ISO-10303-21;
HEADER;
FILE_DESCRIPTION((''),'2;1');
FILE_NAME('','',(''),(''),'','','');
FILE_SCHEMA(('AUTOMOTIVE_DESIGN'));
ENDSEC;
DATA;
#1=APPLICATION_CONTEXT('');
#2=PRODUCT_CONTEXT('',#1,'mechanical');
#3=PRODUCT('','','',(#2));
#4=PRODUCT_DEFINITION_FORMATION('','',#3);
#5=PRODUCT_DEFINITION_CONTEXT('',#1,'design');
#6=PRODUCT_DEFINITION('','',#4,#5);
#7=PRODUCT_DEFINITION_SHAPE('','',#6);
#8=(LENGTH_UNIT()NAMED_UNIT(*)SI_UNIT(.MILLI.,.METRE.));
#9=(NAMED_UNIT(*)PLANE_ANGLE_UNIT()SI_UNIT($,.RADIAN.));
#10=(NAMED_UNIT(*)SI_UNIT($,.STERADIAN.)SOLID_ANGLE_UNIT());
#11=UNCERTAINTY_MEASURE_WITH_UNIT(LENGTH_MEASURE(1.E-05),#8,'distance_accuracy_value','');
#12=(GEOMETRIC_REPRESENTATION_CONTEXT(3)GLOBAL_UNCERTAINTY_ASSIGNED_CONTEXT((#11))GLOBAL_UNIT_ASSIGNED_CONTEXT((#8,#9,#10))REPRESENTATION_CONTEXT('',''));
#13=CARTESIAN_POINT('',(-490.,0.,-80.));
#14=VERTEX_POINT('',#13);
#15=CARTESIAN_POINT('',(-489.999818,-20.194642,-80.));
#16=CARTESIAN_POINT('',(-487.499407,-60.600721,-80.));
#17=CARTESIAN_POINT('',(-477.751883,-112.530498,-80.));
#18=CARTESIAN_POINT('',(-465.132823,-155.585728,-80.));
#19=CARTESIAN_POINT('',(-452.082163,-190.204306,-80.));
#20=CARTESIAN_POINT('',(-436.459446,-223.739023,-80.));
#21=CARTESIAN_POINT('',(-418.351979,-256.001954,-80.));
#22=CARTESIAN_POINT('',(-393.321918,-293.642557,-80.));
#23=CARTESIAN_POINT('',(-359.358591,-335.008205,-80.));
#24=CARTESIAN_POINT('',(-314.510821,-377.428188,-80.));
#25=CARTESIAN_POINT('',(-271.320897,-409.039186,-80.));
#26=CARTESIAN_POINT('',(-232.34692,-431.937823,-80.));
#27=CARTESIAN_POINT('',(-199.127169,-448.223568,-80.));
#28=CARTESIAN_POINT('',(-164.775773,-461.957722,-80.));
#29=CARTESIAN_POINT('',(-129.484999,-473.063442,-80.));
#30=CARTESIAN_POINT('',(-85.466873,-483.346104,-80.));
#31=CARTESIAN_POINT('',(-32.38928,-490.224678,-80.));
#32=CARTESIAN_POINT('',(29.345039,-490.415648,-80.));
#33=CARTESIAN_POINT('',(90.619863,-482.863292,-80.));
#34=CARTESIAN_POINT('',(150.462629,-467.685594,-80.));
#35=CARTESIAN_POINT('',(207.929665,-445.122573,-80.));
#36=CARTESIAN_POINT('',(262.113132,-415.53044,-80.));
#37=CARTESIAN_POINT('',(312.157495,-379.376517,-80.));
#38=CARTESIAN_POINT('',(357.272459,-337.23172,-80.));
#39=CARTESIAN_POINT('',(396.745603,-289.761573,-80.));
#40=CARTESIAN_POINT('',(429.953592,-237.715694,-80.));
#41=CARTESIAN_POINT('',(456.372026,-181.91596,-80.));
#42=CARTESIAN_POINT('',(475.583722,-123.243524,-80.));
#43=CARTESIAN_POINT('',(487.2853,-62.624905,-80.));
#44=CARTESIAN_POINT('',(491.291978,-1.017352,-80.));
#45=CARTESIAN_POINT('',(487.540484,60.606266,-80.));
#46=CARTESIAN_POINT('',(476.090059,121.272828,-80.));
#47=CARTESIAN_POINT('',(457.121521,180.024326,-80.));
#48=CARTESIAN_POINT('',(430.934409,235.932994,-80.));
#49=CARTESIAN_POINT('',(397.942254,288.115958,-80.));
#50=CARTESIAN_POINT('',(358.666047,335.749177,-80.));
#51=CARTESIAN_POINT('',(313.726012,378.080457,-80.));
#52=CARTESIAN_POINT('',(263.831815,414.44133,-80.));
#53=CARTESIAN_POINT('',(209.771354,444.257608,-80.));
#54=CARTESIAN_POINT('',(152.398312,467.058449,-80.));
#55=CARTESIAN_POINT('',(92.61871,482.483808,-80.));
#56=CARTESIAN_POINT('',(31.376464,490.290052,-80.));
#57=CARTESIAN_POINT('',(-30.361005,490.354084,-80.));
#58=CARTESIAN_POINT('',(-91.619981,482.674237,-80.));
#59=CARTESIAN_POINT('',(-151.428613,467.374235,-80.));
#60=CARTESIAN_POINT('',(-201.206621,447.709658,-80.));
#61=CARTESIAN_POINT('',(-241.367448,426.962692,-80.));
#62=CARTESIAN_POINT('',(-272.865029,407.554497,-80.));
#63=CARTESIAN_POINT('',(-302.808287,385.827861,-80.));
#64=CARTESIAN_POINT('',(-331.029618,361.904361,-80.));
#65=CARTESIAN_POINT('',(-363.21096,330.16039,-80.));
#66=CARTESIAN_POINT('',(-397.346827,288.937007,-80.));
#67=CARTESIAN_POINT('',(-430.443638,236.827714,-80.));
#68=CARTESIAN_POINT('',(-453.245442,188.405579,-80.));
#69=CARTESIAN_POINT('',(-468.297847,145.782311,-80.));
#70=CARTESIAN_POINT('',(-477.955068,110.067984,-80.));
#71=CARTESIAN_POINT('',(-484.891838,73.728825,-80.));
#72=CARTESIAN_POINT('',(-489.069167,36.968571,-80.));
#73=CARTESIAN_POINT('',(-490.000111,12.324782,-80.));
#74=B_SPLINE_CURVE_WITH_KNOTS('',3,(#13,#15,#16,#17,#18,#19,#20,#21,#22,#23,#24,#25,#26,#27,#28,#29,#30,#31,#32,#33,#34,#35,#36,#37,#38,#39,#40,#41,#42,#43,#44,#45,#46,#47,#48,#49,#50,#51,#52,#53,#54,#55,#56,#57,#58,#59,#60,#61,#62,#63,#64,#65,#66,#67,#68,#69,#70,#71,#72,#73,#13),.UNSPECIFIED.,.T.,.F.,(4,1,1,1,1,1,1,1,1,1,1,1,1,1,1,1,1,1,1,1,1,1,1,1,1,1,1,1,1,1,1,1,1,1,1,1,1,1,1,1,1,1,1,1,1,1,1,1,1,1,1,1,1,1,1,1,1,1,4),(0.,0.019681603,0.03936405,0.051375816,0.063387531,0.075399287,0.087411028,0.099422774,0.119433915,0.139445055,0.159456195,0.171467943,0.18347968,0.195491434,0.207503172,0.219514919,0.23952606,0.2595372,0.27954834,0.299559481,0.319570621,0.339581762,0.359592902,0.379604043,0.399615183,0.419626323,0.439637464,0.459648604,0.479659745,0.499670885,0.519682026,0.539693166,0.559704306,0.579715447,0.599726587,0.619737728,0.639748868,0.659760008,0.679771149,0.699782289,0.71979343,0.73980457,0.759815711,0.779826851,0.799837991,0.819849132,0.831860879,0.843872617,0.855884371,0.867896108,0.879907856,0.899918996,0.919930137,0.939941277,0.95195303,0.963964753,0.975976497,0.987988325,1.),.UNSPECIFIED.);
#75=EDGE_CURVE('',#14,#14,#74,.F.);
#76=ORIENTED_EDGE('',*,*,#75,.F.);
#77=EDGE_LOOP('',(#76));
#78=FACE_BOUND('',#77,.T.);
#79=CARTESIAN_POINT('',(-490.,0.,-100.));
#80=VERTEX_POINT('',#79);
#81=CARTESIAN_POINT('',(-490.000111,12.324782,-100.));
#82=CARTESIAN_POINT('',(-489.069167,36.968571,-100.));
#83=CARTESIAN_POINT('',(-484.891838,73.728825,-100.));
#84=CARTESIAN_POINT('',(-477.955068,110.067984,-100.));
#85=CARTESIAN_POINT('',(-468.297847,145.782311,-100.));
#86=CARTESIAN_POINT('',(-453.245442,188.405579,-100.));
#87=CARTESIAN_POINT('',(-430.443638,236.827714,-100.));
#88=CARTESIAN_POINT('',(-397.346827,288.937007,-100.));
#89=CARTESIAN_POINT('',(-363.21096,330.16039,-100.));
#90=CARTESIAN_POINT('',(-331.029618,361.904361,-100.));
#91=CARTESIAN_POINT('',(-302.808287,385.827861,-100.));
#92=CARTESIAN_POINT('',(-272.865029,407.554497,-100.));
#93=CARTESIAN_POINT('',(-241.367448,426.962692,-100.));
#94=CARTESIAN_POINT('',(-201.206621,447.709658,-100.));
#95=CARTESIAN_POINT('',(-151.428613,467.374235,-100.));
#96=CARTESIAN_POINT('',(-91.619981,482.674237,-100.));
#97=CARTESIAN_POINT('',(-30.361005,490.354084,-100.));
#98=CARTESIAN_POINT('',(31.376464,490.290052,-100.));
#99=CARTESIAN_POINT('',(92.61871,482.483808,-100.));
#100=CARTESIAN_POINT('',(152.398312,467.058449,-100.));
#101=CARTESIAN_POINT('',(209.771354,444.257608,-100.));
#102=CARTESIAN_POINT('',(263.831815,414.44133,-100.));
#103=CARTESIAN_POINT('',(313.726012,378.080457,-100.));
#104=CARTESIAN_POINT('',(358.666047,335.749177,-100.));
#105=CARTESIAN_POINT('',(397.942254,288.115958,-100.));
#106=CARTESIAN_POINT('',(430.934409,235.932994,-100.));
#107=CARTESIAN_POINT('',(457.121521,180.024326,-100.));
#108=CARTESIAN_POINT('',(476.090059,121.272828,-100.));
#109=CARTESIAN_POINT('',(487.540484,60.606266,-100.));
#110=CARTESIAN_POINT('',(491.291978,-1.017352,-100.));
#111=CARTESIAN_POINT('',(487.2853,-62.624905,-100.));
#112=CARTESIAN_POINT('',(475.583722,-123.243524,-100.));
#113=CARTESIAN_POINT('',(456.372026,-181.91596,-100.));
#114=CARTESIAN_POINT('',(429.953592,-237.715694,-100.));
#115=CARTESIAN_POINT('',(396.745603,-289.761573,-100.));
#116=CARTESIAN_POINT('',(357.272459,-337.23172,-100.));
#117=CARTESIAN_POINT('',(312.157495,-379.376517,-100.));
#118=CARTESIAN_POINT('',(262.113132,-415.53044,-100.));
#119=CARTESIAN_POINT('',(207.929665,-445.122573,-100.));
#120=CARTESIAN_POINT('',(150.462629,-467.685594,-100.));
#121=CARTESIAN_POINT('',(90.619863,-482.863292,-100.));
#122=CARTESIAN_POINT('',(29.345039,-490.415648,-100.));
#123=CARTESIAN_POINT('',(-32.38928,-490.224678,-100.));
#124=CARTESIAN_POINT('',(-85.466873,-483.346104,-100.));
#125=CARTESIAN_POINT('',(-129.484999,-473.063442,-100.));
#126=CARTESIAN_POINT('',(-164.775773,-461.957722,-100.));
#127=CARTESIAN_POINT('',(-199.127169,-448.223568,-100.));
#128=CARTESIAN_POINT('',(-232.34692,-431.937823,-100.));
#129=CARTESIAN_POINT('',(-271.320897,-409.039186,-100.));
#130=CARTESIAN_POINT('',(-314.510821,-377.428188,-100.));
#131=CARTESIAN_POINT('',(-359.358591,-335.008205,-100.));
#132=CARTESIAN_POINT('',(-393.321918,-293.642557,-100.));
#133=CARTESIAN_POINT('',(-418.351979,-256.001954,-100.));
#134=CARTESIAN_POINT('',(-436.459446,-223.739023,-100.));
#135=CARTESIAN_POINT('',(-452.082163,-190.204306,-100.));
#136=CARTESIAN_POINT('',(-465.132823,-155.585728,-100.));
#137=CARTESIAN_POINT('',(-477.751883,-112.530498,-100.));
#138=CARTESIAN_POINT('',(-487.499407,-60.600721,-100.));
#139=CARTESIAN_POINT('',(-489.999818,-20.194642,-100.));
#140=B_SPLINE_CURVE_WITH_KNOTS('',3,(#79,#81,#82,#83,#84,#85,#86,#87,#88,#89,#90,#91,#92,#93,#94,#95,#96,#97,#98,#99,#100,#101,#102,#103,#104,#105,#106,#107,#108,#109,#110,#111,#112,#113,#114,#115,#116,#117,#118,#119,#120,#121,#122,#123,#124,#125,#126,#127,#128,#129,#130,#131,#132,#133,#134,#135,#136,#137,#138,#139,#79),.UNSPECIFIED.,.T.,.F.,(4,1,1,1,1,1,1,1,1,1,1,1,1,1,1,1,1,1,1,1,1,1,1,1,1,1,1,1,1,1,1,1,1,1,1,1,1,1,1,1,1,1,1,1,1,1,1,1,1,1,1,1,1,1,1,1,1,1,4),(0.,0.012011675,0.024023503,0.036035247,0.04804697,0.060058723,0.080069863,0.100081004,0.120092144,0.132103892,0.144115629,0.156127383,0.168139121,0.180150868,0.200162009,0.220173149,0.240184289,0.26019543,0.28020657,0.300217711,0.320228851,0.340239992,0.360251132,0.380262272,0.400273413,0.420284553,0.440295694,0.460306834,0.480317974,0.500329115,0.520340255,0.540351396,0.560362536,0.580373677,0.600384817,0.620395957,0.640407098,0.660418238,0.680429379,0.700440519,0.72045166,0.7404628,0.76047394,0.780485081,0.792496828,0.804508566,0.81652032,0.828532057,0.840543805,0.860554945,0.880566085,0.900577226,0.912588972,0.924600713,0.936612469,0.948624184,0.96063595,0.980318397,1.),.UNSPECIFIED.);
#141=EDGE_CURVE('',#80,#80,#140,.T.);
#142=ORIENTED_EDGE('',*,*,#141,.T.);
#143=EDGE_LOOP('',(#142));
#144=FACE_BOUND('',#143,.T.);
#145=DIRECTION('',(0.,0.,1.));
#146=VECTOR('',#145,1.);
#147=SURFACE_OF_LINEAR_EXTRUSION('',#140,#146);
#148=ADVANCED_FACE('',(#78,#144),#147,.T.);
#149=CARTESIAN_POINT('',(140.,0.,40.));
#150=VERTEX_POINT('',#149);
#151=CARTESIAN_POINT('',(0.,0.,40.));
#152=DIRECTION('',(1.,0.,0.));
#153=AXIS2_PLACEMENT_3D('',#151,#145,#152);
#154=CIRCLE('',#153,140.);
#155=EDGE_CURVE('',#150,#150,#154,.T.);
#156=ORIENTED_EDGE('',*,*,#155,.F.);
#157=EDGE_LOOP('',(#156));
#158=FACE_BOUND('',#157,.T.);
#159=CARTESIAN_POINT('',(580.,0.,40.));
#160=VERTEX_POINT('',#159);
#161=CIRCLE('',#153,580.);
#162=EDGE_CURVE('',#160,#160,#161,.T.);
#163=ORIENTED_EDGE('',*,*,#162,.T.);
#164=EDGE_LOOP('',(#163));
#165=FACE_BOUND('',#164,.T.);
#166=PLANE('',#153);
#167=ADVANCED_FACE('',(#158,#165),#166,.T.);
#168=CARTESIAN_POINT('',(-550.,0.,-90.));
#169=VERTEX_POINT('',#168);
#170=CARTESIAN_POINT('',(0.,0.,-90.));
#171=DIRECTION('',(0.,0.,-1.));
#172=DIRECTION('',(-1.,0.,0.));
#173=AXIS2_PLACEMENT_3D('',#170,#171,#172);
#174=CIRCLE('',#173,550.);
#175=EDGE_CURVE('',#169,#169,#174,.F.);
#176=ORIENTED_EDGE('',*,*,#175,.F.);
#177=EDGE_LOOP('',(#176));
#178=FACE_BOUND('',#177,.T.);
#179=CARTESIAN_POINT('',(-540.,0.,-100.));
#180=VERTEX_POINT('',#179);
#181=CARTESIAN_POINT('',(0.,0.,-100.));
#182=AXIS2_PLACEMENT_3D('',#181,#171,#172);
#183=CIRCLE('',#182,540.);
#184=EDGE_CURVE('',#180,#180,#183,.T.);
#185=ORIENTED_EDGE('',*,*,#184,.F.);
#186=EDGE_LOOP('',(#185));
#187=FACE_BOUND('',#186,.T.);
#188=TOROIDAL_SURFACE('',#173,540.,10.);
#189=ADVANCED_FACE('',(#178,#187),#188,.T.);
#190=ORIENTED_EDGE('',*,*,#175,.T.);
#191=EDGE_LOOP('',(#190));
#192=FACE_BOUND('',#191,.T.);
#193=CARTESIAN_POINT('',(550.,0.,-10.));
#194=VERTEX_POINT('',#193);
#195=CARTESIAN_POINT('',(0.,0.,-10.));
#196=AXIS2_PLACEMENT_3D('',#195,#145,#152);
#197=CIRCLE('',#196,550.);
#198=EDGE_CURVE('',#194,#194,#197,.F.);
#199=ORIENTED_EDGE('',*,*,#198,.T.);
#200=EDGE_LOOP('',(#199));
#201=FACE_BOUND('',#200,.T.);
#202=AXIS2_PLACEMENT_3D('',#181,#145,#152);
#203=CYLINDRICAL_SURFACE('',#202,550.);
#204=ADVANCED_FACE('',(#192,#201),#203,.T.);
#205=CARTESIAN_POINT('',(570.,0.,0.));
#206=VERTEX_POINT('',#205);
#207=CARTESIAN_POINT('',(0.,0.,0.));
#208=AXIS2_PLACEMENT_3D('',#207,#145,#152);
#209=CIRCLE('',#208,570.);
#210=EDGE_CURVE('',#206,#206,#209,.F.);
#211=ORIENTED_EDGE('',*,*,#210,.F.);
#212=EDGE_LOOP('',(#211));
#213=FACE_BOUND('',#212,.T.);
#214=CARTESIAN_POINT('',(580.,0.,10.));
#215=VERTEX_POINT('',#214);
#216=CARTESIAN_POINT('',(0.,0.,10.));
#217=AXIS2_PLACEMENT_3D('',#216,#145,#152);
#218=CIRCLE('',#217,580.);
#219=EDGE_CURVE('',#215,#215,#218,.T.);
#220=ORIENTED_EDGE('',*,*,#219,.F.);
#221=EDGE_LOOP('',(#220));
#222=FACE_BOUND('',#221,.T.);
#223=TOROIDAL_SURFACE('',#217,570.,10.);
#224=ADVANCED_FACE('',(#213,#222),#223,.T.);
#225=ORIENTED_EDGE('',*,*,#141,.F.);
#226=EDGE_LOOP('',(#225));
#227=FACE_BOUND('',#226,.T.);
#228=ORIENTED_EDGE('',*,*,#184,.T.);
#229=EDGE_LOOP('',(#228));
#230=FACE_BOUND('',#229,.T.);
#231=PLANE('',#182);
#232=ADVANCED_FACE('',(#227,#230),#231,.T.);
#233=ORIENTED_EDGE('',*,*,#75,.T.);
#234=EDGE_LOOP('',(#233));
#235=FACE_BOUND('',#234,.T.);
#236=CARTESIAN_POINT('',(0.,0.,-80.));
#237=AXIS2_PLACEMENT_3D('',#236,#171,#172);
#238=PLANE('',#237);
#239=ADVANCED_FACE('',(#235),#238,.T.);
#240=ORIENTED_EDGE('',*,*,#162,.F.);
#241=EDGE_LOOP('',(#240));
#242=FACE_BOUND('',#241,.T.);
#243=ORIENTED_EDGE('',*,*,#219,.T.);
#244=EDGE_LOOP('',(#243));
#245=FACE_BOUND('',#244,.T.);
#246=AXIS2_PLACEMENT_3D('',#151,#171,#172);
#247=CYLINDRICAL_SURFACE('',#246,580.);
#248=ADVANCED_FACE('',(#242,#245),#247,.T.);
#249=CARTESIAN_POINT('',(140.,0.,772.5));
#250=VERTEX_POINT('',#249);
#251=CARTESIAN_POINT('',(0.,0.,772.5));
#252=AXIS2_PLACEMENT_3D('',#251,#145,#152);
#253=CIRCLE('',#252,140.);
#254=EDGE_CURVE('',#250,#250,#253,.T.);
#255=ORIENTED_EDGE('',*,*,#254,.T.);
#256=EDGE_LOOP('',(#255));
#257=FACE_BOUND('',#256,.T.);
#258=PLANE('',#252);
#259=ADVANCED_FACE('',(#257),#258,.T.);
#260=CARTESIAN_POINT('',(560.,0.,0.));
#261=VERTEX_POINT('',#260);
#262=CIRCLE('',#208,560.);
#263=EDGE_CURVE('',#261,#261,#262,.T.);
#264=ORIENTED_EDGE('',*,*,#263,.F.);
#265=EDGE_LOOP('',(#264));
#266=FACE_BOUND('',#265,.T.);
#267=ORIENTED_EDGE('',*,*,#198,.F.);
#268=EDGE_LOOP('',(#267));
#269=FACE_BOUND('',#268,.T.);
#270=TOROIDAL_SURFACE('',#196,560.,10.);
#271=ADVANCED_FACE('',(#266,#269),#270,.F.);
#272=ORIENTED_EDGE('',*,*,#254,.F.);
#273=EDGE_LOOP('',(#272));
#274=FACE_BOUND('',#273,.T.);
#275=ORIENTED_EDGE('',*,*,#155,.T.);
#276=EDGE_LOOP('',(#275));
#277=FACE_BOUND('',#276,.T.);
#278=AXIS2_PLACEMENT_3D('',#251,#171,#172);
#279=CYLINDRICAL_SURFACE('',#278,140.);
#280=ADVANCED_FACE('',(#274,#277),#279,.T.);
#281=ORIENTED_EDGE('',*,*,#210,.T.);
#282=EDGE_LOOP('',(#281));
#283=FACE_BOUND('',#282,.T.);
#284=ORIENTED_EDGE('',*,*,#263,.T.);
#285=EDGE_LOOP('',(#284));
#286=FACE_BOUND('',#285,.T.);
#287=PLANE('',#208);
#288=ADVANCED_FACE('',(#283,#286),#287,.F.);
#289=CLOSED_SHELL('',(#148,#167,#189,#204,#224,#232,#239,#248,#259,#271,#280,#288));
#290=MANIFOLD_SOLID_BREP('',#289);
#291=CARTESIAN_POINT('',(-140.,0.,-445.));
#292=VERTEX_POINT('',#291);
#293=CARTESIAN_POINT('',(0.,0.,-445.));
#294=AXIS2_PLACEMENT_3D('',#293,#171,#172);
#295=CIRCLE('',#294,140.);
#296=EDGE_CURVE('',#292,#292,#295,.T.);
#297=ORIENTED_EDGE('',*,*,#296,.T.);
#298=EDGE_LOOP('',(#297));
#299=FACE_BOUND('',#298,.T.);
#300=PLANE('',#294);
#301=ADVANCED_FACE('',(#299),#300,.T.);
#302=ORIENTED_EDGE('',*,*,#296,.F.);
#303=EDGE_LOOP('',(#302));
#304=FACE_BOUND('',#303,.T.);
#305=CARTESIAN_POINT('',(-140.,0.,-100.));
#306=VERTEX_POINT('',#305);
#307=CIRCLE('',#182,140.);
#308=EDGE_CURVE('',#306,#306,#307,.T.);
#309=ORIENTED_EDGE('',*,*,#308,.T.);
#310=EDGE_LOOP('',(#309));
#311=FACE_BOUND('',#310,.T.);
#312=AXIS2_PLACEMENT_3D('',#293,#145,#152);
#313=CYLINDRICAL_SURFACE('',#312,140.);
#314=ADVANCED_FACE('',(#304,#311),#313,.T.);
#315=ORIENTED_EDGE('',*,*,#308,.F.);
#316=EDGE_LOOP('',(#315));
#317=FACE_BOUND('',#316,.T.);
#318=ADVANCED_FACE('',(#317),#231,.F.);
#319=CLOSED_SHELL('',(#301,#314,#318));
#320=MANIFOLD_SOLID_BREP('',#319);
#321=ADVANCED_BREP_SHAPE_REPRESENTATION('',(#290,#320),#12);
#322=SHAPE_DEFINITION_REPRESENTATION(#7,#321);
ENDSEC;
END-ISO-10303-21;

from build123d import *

# Parameters (mm, degrees)
SCHIZZO4_R                   = 580
ESTRUSIONE_ESTRUSIONE1_DEPTH = 40
SCHIZZO5_R                   = 550
ESTRUSIONE_ESTRUSIONE2_DEPTH = 100
RACCORDO4_R                  = 10
RACCORDO3_R                  = 10
SCHIZZO6_R                   = 140
ESTRUSIONE_ESTRUSIONE3_DEPTH = 732.5
SCHIZZO8_R                   = 140
ESTRUSIONE_ESTRUSIONE4_DEPTH = 345
TAGLIO_ESTRUSIONE2_DEPTH     = 20


with BuildPart() as part:
    # Schizzo4 → Estrusione-Estrusione1 (new body)
    with BuildSketch(Plane.XY):
        Circle(SCHIZZO4_R)
    extrude(amount=ESTRUSIONE_ESTRUSIONE1_DEPTH)

    # Schizzo5 → Estrusione-Estrusione2 (add)
    with BuildSketch(Plane(origin=(0, 0, 0), x_dir=(-1, 0, 0), z_dir=(0, 0, -1))):
        Circle(SCHIZZO5_R)
    extrude(amount=ESTRUSIONE_ESTRUSIONE2_DEPTH)

    # Raccordo4
    raccordo4_edges = [part.edges().sort_by_distance(p)[0] for p in [
        (-580, 0, 0),
        (550, 0, 0),
    ]]
    fillet(raccordo4_edges, radius=RACCORDO4_R)

    # Raccordo3
    raccordo3_edges = [part.edges().sort_by_distance(p)[0] for p in [
        (550, 0, -100),
    ]]
    fillet(raccordo3_edges, radius=RACCORDO3_R)

    # Schizzo6 → Estrusione-Estrusione3 (add)
    with BuildSketch(Plane.XY.offset(40)):
        Circle(SCHIZZO6_R)
    extrude(amount=ESTRUSIONE_ESTRUSIONE3_DEPTH)

    # Schizzo8 → Estrusione-Estrusione4 (add)
    with BuildSketch(Plane(origin=(0, 0, -100), x_dir=(-1, 0, 0), z_dir=(0, 0, -1))):
        with Locations(Location((0, 0, 0), (0, 0, 180))):
            Circle(SCHIZZO8_R)
    extrude(amount=ESTRUSIONE_ESTRUSIONE4_DEPTH)

    # Schizzo3D1 → Taglio-Estrusione2 (cut)
    with BuildSketch(Plane(origin=(-490, 0, -100), x_dir=(0.9999994625775602, -0.0010367471199618189, 0), z_dir=(0, 0, 1))):
        with BuildLine():
            add(Edge.make_bspline(
                [(0, 0), (-0.012889025, 12.324775606), (0.892505318, 36.969516199), (5.031720953, 73.734080783), (11.930813088, 110.08041258), (21.551001502, 145.804732388), (36.55920901, 188.443583214), (59.310799707, 236.88933115), (92.353568708, 289.032909391), (126.446679246, 330.291660739), (158.595093697, 362.068978642), (186.79160637, 386.021723619), (216.712322863, 407.779392219), (248.189766305, 427.220231533), (288.329062139, 448.008823547), (338.086656252, 467.724996678), (397.879393929, 483.086996482), (459.13037451, 490.830349457), (520.867876847, 490.830323821), (582.11818298, 483.087577434), (641.913744877, 467.724202681), (699.310395142, 444.982855454), (753.401739088, 415.222640068), (803.333606643, 378.913514395), (848.317503701, 336.628848258), (887.643073475, 289.036374583), (920.689311341, 236.887643526), (946.934372059, 181.006154856), (965.963810233, 122.274353668), (977.477125024, 61.619695392), (981.29250545, 0), (977.349701439, -61.611673282), (965.710975256, -122.242391905), (946.560118305, -180.934713942), (920.199548763, -236.761807382), (887.045536191, -288.842086137), (847.621627278, -336.353131282), (802.550381275, -378.544678935), (752.543527929, -414.750465128), (698.39076934, -444.39875755), (640.947156342, -467.021344687), (581.120157602, -482.2610762), (519.85319651, -489.876955394), (458.11871347, -489.749987888), (405.034017684, -482.926445703), (361.005254012, -472.689424768), (325.702985951, -461.620298825), (291.337369241, -447.921765869), (258.100752256, -431.67047026), (219.103056071, -408.812251082), (175.880382447, -377.246047708), (130.988657581, -334.872583225), (96.982463241, -293.542168627), (71.913392038, -255.927535867), (53.772486211, -223.683394901), (38.115010499, -190.16489219), (25.028466811, -155.559863125), (12.36477641, -112.517739342), (2.563418858, -60.5980959), (0.021119176, -20.194630929), (0, 0)],
                knots=[0, 0, 0, 0, 0.012011675, 0.024023503, 0.036035247, 0.04804697, 0.060058723, 0.080069863, 0.100081004, 0.120092144, 0.132103892, 0.144115629, 0.156127383, 0.168139121, 0.180150868, 0.200162009, 0.220173149, 0.240184289, 0.26019543, 0.28020657, 0.300217711, 0.320228851, 0.340239992, 0.360251132, 0.380262272, 0.400273413, 0.420284553, 0.440295694, 0.460306834, 0.480317974, 0.500329115, 0.520340255, 0.540351396, 0.560362536, 0.580373677, 0.600384817, 0.620395957, 0.640407098, 0.660418238, 0.680429379, 0.700440519, 0.72045166, 0.7404628, 0.76047394, 0.780485081, 0.792496828, 0.804508566, 0.81652032, 0.828532057, 0.840543805, 0.860554945, 0.880566085, 0.900577226, 0.912588972, 0.924600713, 0.936612469, 0.948624184, 0.96063595, 0.980318397, 1, 1, 1, 1], degree=3))
        make_face()
    extrude(amount=TAGLIO_ESTRUSIONE2_DEPTH, mode=Mode.SUBTRACT)


with BuildPart() as taglio_estrusione2_piece_1:
    # of the separate pieces the step leaves, piece 1, a body of its own (taglio_estrusione2_pieces)
    add(part.part.solids().sort_by_distance((-550, 0, -90))[0])


with BuildPart() as taglio_estrusione2_piece_2:
    # of the separate pieces the step leaves, piece 2, a body of its own (taglio_estrusione2_pieces)
    add(part.part.solids().sort_by_distance((140, 0, -100))[0])


solid = Compound([taglio_estrusione2_piece_1.part, taglio_estrusione2_piece_2.part])
